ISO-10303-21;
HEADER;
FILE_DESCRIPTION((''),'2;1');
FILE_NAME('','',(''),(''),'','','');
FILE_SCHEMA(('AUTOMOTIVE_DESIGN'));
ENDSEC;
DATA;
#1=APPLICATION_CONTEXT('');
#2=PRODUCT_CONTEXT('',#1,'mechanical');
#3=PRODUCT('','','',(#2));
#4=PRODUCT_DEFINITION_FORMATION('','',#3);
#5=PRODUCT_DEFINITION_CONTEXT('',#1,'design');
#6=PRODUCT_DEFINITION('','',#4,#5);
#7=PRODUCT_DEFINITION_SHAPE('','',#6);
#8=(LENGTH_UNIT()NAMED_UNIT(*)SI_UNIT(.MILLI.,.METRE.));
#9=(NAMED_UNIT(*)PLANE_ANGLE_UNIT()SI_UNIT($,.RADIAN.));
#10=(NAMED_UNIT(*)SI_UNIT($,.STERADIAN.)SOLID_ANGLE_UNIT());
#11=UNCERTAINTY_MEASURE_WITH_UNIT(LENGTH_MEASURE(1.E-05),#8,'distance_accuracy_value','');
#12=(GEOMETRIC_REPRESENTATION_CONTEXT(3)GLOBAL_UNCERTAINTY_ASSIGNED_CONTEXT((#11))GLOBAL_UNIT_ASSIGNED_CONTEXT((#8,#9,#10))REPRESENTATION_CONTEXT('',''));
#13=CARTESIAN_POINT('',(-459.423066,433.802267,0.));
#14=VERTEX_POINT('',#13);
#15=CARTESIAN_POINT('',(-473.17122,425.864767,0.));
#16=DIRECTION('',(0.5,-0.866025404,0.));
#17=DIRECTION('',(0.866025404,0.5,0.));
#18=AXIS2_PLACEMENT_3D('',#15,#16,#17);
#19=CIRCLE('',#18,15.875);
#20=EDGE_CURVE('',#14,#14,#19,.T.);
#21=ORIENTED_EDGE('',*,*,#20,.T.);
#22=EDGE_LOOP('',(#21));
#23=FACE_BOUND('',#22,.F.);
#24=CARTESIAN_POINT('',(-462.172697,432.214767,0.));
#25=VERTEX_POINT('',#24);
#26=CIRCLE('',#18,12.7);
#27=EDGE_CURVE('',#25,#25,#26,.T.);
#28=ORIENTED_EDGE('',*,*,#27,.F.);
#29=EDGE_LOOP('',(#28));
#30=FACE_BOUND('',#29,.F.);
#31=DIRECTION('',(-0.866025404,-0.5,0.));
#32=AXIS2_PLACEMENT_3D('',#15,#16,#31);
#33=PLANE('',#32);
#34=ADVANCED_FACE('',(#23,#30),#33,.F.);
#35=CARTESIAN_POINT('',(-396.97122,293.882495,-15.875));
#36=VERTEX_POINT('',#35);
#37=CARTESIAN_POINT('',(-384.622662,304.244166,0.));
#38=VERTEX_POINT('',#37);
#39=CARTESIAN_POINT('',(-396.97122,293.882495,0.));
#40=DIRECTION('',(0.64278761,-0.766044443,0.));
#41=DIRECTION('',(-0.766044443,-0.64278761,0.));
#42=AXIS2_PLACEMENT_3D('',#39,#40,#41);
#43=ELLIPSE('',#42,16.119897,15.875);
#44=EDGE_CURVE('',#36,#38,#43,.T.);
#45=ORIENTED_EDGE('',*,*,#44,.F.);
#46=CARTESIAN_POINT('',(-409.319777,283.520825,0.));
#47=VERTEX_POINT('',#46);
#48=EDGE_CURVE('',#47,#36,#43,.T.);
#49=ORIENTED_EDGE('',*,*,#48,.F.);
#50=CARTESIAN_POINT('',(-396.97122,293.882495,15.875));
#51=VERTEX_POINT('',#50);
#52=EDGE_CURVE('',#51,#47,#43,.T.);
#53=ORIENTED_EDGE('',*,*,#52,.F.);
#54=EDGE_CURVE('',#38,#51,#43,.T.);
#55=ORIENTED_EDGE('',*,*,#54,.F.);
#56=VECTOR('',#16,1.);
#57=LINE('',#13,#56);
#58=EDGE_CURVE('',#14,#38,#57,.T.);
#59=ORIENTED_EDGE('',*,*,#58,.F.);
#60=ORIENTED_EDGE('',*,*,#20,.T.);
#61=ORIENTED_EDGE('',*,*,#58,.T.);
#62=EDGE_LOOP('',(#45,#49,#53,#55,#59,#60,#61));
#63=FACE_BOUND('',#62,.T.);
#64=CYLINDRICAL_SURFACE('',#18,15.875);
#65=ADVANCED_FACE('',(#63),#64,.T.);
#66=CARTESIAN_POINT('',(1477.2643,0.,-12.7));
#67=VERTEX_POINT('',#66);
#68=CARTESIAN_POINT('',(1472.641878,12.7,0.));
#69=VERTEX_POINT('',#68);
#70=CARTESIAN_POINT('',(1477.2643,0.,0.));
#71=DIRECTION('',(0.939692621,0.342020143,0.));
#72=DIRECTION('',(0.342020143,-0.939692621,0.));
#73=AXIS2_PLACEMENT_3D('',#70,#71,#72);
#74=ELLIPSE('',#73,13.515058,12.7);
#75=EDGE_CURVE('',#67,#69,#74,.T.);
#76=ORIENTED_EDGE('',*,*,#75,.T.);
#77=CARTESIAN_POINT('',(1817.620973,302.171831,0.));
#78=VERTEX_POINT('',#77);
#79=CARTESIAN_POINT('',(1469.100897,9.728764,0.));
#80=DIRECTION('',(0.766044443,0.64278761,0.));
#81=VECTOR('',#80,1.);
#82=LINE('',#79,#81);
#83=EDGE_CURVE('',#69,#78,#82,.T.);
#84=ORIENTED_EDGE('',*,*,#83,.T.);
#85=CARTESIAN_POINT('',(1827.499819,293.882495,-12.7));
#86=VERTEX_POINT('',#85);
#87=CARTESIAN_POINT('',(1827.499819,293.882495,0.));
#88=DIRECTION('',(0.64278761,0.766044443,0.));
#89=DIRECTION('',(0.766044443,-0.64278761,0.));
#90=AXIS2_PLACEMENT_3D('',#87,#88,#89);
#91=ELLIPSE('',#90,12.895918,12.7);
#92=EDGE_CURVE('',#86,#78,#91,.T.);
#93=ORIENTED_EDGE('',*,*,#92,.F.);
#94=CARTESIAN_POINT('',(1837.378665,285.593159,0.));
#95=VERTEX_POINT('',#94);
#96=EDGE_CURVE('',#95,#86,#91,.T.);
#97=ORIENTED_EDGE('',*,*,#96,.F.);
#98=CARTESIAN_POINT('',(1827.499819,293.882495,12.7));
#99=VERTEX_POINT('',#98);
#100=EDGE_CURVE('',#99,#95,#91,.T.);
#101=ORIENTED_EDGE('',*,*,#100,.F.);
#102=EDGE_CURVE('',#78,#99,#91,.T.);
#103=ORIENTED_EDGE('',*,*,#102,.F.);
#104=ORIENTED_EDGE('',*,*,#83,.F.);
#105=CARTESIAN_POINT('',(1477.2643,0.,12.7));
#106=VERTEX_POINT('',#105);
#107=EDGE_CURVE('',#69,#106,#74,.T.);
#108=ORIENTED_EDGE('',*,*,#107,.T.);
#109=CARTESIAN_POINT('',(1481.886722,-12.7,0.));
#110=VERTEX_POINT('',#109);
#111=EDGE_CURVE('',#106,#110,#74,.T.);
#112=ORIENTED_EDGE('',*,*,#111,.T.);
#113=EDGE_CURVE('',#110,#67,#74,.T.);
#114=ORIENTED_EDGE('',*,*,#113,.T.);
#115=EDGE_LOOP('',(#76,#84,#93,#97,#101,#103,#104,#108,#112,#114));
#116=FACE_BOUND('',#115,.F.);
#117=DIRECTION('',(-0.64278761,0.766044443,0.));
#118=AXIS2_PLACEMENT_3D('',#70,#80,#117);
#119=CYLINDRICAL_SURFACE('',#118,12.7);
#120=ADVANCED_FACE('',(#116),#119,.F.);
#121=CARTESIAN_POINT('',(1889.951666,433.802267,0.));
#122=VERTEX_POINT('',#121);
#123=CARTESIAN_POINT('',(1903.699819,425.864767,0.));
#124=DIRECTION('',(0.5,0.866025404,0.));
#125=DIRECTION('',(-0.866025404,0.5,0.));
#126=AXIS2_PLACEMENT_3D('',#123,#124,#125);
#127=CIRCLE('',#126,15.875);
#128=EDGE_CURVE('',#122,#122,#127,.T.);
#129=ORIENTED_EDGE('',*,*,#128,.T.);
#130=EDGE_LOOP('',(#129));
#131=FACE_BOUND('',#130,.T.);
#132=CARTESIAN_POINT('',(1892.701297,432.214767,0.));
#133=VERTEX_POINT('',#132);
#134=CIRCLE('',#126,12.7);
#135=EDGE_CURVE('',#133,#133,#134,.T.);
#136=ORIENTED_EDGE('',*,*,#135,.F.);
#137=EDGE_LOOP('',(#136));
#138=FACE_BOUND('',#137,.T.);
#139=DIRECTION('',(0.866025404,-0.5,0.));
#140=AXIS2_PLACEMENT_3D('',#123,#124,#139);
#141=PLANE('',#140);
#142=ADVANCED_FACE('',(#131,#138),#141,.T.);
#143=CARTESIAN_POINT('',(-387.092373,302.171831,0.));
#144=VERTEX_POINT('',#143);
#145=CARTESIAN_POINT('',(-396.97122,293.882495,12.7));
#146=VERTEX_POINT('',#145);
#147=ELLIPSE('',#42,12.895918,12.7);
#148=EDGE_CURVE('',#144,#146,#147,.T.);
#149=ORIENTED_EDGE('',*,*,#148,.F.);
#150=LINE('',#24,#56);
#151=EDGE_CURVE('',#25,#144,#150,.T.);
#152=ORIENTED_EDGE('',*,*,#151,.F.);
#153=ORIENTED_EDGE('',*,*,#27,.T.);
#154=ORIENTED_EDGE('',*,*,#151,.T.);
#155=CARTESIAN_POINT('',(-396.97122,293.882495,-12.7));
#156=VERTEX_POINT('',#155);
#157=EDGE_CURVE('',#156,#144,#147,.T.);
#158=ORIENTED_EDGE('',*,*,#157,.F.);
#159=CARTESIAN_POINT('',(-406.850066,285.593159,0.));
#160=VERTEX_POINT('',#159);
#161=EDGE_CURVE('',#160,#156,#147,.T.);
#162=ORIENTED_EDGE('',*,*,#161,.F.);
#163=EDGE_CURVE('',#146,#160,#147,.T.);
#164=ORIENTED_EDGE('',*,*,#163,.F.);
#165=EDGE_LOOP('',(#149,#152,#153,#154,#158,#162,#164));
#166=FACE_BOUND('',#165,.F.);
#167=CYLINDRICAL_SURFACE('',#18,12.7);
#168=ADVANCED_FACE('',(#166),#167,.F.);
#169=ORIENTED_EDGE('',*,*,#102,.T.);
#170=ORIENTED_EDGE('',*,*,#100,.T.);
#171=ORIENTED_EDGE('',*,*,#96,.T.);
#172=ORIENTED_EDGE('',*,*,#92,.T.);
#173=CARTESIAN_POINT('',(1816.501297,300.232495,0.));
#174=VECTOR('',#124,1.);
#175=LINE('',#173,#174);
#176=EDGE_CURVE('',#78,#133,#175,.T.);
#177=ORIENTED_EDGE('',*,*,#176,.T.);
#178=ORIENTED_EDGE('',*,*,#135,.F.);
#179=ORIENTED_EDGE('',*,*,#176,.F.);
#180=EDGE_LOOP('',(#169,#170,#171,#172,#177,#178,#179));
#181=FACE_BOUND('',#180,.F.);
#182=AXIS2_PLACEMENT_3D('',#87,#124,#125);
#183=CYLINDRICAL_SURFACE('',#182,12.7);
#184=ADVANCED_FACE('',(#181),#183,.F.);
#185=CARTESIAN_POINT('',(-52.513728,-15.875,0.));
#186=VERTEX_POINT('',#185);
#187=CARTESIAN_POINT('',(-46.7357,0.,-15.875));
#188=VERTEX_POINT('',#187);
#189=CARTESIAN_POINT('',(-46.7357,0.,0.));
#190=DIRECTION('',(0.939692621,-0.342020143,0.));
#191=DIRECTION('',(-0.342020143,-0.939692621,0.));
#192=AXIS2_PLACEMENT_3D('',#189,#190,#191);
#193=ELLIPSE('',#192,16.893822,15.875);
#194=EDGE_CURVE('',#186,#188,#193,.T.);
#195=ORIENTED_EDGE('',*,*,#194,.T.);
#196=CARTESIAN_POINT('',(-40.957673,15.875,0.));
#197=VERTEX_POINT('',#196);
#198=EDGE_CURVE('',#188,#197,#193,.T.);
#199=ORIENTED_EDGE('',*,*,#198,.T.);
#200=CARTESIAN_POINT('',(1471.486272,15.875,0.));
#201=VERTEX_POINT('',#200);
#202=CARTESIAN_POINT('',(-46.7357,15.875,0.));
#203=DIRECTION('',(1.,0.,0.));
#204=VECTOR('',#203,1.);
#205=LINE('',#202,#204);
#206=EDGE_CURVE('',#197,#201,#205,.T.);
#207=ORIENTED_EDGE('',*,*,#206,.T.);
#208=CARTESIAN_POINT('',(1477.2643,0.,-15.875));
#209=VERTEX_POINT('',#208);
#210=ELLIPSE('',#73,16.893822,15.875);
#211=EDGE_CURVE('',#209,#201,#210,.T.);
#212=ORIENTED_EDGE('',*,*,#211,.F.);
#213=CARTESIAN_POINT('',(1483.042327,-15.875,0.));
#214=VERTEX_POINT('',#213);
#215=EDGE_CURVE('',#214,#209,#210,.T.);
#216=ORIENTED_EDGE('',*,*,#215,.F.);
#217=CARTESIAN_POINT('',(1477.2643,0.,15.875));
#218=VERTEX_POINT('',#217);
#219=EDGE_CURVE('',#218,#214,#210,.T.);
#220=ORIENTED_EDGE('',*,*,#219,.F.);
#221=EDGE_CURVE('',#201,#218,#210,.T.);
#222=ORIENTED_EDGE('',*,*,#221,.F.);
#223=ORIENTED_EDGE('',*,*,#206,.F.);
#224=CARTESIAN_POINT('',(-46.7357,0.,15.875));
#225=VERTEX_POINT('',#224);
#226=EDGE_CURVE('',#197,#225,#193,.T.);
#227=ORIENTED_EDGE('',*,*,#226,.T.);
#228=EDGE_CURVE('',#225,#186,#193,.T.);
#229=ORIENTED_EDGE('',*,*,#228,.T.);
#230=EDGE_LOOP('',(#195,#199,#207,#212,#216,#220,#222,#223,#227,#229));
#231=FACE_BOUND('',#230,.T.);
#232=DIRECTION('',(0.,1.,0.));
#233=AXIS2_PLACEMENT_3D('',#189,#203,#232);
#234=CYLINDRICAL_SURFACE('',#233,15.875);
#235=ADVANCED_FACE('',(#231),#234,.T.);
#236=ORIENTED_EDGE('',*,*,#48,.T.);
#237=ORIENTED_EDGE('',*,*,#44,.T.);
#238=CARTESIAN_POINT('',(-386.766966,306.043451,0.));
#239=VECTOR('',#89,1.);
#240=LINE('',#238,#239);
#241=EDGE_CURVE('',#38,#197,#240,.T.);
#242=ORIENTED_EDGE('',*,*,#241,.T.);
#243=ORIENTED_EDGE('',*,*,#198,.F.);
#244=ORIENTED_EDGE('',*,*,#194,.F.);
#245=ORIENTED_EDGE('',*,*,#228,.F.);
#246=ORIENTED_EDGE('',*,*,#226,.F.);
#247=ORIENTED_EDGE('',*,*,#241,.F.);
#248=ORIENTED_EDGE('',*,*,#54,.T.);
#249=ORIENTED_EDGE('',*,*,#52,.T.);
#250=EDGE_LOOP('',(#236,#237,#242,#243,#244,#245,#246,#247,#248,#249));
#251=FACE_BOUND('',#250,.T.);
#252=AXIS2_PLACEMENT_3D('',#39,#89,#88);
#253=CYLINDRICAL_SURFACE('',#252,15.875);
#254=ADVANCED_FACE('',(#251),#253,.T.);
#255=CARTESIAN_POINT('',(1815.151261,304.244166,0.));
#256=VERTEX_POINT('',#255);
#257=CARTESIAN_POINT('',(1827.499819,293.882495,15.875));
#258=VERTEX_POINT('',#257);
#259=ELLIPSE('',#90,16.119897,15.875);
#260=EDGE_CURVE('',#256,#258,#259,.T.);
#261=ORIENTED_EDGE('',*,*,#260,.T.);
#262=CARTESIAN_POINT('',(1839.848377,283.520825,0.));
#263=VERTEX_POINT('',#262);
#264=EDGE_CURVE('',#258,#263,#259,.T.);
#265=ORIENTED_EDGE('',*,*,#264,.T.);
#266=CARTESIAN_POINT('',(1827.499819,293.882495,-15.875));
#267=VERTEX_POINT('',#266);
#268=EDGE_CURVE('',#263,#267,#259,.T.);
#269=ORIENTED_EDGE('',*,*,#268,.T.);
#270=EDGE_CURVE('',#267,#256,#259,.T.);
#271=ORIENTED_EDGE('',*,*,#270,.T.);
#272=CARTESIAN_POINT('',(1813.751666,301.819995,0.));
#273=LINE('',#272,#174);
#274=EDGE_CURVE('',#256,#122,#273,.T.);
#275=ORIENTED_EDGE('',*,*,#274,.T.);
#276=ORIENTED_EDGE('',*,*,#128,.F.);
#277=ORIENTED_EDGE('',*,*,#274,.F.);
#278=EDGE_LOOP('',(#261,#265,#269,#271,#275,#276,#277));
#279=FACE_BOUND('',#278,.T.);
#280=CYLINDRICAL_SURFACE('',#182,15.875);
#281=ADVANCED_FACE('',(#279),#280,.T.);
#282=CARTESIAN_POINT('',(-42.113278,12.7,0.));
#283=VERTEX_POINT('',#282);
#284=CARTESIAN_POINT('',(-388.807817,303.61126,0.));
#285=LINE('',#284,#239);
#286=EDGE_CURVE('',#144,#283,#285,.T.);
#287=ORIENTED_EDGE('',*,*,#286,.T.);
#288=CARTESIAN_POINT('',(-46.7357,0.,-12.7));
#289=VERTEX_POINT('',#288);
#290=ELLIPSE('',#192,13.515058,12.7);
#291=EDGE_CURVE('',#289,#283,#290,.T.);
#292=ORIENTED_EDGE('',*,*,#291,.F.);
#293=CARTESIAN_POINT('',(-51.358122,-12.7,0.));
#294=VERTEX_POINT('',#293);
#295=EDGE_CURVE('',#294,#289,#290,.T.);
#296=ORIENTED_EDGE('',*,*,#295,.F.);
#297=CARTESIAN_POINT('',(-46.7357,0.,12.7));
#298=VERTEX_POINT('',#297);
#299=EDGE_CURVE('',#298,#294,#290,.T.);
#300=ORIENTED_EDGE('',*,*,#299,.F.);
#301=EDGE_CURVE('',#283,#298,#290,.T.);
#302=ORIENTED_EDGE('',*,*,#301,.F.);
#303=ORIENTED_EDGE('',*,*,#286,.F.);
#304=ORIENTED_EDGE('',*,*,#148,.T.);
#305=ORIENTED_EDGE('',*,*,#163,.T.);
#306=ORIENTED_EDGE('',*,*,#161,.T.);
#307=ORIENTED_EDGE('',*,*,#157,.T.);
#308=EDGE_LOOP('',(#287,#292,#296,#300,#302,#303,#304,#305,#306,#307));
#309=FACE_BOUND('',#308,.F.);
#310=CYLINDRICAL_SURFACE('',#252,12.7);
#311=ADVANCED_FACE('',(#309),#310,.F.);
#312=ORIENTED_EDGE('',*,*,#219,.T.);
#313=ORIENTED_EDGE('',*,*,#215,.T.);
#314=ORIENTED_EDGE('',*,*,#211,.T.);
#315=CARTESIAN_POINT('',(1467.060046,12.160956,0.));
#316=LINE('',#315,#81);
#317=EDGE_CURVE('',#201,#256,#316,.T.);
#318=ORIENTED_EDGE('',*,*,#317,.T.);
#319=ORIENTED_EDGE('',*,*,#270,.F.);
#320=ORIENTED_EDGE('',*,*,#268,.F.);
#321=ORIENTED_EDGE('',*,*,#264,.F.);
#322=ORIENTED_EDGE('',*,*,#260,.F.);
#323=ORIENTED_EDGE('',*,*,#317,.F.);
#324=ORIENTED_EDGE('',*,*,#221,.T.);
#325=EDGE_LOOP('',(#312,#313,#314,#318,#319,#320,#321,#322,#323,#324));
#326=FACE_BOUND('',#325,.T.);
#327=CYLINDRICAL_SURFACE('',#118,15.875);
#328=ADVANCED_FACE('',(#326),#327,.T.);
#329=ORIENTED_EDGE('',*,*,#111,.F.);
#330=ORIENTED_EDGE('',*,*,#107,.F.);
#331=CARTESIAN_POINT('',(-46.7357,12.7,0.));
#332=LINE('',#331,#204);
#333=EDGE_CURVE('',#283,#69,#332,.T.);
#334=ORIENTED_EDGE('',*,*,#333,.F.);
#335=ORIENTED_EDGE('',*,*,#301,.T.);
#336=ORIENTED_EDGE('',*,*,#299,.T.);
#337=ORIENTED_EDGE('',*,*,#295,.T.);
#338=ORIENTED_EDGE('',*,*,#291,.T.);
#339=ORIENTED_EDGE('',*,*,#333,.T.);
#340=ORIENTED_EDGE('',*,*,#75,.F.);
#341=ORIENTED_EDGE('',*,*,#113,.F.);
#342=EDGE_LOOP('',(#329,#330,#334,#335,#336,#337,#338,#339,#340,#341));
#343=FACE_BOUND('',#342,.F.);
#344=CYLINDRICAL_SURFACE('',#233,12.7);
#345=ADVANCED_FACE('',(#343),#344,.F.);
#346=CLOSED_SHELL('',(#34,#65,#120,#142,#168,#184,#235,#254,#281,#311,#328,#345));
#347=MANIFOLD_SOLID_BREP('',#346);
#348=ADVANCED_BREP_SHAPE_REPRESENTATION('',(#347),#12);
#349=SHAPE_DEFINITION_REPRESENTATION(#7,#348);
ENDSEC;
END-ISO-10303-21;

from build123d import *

# Parameters (mm, degrees)
F1_R   = 15.875
F1_R_2 = 12.7


with BuildPart() as f2:
    # F2: sweep along a path in F0
    with BuildLine(Plane.XY) as f2_path:
        Line((-473.1712196139, 425.8647666854), (-396.9712196139, 293.8824951487))
        Line((-396.9712196139, 293.8824951487), (-46.7357002199, 0))
        Line((-46.7357002199, 0), (1477.2642997801, 0))
        Line((1477.2642997801, 0), (1827.4998191741, 293.8824951487))
        Line((1827.4998191741, 293.8824951487), (1903.6998191741, 425.8647666854))
    # F1 (on Right) → F2 (sweep)
    with BuildSketch(Plane.YZ):
        Circle(F1_R)
        Circle(F1_R_2, mode=Mode.SUBTRACT)
    sweep(path=f2_path.line, transition=Transition.RIGHT)


solid = f2.part
